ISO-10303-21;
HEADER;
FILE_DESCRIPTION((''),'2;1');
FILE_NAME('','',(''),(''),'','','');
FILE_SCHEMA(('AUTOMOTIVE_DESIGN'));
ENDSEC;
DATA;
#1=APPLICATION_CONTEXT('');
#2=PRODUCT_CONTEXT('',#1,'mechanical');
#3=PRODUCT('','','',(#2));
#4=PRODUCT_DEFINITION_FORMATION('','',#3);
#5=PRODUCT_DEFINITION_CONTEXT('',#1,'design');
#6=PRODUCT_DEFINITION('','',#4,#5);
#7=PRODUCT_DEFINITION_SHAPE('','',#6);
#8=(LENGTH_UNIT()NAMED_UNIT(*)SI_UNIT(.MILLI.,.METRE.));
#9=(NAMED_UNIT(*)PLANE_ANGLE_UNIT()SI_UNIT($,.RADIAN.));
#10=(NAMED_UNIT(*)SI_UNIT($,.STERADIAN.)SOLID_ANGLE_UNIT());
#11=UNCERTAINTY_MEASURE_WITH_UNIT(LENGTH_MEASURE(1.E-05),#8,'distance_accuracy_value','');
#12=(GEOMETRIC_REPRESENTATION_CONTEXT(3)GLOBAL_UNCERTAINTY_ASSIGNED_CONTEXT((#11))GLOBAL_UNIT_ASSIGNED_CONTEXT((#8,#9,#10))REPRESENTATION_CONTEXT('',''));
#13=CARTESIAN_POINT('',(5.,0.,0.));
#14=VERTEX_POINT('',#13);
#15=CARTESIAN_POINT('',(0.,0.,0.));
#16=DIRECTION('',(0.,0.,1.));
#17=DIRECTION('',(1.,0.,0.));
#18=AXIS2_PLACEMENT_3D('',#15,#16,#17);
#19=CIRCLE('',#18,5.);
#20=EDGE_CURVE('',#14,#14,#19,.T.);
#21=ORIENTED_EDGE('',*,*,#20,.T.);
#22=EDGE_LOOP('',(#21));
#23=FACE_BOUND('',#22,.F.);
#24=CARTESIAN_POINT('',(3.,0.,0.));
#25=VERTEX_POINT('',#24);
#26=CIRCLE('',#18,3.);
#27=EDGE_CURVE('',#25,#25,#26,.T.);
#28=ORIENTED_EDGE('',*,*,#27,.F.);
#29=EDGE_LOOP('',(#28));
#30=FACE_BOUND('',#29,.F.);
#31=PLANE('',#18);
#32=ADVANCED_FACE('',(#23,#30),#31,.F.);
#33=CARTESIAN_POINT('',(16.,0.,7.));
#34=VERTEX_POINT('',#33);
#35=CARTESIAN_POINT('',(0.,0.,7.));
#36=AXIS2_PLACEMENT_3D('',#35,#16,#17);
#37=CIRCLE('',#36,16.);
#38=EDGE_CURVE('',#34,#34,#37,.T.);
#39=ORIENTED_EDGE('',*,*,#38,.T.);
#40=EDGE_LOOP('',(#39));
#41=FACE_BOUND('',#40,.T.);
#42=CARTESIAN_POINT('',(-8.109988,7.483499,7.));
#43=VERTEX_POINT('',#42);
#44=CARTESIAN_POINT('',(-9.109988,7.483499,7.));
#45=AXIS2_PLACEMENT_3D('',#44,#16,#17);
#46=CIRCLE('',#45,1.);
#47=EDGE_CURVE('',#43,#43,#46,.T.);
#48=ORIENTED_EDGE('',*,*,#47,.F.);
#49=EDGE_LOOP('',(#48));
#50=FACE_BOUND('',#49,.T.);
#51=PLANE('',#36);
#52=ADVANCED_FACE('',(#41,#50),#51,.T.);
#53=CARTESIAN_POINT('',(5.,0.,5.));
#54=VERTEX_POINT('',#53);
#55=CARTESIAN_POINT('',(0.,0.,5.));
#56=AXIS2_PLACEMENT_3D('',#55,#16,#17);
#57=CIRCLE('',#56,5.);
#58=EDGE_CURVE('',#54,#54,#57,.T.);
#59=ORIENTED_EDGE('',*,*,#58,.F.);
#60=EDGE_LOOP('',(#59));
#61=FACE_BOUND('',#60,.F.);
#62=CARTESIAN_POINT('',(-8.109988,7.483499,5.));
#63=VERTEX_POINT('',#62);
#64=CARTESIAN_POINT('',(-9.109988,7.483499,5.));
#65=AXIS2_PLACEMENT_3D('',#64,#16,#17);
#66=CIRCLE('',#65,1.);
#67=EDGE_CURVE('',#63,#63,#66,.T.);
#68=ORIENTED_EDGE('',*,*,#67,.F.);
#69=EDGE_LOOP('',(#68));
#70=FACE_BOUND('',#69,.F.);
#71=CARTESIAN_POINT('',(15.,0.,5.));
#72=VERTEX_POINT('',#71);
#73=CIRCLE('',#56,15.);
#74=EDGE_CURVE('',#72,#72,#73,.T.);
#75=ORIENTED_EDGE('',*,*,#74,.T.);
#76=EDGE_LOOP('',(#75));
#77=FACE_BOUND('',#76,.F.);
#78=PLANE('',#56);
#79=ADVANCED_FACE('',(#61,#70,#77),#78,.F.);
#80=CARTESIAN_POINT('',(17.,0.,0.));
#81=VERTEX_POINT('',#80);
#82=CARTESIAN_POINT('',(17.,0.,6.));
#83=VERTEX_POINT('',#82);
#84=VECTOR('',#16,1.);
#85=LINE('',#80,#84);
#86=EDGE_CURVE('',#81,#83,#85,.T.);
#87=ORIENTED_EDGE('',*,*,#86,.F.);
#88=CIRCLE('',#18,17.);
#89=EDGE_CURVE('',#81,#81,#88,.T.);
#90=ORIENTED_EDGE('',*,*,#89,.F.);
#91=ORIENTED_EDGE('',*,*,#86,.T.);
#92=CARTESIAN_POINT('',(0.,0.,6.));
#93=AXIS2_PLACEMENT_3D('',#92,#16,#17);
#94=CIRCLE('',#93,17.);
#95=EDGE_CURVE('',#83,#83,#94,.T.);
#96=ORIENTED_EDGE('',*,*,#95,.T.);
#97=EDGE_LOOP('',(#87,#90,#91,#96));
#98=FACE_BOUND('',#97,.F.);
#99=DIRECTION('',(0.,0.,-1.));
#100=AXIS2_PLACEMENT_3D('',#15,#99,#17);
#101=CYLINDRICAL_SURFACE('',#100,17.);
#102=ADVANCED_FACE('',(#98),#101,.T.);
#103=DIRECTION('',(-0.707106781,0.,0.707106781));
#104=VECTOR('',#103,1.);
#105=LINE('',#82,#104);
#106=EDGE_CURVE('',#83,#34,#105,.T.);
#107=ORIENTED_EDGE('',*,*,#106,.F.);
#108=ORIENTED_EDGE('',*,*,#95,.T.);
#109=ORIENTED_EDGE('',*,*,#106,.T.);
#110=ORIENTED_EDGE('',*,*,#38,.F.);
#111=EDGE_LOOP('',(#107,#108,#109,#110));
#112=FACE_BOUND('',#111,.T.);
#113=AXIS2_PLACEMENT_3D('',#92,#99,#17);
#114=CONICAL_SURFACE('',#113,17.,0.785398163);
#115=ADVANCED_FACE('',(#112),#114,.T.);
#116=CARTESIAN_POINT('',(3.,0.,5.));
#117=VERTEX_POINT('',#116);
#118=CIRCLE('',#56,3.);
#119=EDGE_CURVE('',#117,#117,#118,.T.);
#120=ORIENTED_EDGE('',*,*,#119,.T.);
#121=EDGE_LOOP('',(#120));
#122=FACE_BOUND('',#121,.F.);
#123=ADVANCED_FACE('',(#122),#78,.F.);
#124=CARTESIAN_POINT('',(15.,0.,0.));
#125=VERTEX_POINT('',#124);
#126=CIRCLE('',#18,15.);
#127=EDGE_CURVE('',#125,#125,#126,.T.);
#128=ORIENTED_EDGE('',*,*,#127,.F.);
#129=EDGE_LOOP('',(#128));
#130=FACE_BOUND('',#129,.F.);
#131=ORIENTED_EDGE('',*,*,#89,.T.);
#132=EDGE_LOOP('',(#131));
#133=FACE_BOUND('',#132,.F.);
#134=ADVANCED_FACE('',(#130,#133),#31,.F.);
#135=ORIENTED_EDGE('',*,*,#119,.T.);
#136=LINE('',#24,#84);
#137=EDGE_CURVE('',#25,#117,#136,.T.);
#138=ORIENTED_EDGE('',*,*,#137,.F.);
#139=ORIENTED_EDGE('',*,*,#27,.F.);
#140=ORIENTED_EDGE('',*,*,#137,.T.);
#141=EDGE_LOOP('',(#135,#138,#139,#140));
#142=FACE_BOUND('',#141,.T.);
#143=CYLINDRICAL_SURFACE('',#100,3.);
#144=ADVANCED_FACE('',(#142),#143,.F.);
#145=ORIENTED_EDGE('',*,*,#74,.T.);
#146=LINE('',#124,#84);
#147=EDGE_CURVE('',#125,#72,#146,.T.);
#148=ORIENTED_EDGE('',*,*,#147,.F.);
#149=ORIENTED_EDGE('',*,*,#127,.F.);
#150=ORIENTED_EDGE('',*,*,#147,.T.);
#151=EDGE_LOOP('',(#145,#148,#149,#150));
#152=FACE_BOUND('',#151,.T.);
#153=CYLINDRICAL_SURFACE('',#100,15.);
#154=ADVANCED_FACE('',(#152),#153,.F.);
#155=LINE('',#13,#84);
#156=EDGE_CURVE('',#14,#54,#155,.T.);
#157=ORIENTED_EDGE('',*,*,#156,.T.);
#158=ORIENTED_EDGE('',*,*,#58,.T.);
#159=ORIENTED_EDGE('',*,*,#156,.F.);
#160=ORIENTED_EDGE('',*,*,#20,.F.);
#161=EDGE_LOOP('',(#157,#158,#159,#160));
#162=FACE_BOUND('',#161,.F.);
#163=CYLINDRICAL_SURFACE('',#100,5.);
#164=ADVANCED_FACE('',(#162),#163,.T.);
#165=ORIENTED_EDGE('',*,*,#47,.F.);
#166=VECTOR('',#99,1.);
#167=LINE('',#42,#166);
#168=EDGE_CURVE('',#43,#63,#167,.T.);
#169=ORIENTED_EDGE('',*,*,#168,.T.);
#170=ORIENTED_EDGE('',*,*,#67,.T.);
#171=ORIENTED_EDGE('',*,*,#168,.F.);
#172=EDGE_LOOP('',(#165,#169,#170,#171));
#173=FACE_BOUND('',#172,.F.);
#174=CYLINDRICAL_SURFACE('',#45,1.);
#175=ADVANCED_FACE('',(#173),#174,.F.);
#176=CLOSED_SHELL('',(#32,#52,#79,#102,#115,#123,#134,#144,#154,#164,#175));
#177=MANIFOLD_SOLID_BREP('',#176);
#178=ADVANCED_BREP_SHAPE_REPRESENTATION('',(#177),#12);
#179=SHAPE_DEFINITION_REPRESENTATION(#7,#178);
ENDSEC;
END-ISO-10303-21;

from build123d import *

# Parameters (mm, degrees)
SKETCH_R        = 17
PAD_DEPTH       = 7
SKETCH002_R     = 15
SKETCH002_R_2   = 5
POCKET_DEPTH    = 5
SKETCH001_R     = 3
POCKET001_DEPTH = 5
SKETCH003_R     = 1
POCKET002_DEPTH = 5
CHAMFER_SIZE    = 1


with BuildPart() as part:
    # Sketch → Pad (new body)
    with BuildSketch(Plane.XY):
        Circle(SKETCH_R)
    extrude(amount=PAD_DEPTH)

    # Sketch002 → Pocket (cut)
    with BuildSketch(Plane.XY):
        Circle(SKETCH002_R)
        Circle(SKETCH002_R_2, mode=Mode.SUBTRACT)
    extrude(amount=POCKET_DEPTH, mode=Mode.SUBTRACT)

    # Sketch001 → Pocket001 (cut)
    with BuildSketch(Plane.XY):
        Circle(SKETCH001_R)
    extrude(amount=POCKET001_DEPTH, mode=Mode.SUBTRACT)

    # Sketch003 (on Face3 of Pocket001) → Pocket002 (cut)
    with BuildSketch(Plane.XY.offset(7)):
        with Locations((-9.109988, 7.483499)):
            Circle(SKETCH003_R)
    extrude(amount=-POCKET002_DEPTH, mode=Mode.SUBTRACT)

    # Chamfer
    chamfer_edges = [part.edges().sort_by_distance(p)[0] for p in [
        (-17, 0, 7),
    ]]
    chamfer(chamfer_edges, length=CHAMFER_SIZE)


solid = part.part
